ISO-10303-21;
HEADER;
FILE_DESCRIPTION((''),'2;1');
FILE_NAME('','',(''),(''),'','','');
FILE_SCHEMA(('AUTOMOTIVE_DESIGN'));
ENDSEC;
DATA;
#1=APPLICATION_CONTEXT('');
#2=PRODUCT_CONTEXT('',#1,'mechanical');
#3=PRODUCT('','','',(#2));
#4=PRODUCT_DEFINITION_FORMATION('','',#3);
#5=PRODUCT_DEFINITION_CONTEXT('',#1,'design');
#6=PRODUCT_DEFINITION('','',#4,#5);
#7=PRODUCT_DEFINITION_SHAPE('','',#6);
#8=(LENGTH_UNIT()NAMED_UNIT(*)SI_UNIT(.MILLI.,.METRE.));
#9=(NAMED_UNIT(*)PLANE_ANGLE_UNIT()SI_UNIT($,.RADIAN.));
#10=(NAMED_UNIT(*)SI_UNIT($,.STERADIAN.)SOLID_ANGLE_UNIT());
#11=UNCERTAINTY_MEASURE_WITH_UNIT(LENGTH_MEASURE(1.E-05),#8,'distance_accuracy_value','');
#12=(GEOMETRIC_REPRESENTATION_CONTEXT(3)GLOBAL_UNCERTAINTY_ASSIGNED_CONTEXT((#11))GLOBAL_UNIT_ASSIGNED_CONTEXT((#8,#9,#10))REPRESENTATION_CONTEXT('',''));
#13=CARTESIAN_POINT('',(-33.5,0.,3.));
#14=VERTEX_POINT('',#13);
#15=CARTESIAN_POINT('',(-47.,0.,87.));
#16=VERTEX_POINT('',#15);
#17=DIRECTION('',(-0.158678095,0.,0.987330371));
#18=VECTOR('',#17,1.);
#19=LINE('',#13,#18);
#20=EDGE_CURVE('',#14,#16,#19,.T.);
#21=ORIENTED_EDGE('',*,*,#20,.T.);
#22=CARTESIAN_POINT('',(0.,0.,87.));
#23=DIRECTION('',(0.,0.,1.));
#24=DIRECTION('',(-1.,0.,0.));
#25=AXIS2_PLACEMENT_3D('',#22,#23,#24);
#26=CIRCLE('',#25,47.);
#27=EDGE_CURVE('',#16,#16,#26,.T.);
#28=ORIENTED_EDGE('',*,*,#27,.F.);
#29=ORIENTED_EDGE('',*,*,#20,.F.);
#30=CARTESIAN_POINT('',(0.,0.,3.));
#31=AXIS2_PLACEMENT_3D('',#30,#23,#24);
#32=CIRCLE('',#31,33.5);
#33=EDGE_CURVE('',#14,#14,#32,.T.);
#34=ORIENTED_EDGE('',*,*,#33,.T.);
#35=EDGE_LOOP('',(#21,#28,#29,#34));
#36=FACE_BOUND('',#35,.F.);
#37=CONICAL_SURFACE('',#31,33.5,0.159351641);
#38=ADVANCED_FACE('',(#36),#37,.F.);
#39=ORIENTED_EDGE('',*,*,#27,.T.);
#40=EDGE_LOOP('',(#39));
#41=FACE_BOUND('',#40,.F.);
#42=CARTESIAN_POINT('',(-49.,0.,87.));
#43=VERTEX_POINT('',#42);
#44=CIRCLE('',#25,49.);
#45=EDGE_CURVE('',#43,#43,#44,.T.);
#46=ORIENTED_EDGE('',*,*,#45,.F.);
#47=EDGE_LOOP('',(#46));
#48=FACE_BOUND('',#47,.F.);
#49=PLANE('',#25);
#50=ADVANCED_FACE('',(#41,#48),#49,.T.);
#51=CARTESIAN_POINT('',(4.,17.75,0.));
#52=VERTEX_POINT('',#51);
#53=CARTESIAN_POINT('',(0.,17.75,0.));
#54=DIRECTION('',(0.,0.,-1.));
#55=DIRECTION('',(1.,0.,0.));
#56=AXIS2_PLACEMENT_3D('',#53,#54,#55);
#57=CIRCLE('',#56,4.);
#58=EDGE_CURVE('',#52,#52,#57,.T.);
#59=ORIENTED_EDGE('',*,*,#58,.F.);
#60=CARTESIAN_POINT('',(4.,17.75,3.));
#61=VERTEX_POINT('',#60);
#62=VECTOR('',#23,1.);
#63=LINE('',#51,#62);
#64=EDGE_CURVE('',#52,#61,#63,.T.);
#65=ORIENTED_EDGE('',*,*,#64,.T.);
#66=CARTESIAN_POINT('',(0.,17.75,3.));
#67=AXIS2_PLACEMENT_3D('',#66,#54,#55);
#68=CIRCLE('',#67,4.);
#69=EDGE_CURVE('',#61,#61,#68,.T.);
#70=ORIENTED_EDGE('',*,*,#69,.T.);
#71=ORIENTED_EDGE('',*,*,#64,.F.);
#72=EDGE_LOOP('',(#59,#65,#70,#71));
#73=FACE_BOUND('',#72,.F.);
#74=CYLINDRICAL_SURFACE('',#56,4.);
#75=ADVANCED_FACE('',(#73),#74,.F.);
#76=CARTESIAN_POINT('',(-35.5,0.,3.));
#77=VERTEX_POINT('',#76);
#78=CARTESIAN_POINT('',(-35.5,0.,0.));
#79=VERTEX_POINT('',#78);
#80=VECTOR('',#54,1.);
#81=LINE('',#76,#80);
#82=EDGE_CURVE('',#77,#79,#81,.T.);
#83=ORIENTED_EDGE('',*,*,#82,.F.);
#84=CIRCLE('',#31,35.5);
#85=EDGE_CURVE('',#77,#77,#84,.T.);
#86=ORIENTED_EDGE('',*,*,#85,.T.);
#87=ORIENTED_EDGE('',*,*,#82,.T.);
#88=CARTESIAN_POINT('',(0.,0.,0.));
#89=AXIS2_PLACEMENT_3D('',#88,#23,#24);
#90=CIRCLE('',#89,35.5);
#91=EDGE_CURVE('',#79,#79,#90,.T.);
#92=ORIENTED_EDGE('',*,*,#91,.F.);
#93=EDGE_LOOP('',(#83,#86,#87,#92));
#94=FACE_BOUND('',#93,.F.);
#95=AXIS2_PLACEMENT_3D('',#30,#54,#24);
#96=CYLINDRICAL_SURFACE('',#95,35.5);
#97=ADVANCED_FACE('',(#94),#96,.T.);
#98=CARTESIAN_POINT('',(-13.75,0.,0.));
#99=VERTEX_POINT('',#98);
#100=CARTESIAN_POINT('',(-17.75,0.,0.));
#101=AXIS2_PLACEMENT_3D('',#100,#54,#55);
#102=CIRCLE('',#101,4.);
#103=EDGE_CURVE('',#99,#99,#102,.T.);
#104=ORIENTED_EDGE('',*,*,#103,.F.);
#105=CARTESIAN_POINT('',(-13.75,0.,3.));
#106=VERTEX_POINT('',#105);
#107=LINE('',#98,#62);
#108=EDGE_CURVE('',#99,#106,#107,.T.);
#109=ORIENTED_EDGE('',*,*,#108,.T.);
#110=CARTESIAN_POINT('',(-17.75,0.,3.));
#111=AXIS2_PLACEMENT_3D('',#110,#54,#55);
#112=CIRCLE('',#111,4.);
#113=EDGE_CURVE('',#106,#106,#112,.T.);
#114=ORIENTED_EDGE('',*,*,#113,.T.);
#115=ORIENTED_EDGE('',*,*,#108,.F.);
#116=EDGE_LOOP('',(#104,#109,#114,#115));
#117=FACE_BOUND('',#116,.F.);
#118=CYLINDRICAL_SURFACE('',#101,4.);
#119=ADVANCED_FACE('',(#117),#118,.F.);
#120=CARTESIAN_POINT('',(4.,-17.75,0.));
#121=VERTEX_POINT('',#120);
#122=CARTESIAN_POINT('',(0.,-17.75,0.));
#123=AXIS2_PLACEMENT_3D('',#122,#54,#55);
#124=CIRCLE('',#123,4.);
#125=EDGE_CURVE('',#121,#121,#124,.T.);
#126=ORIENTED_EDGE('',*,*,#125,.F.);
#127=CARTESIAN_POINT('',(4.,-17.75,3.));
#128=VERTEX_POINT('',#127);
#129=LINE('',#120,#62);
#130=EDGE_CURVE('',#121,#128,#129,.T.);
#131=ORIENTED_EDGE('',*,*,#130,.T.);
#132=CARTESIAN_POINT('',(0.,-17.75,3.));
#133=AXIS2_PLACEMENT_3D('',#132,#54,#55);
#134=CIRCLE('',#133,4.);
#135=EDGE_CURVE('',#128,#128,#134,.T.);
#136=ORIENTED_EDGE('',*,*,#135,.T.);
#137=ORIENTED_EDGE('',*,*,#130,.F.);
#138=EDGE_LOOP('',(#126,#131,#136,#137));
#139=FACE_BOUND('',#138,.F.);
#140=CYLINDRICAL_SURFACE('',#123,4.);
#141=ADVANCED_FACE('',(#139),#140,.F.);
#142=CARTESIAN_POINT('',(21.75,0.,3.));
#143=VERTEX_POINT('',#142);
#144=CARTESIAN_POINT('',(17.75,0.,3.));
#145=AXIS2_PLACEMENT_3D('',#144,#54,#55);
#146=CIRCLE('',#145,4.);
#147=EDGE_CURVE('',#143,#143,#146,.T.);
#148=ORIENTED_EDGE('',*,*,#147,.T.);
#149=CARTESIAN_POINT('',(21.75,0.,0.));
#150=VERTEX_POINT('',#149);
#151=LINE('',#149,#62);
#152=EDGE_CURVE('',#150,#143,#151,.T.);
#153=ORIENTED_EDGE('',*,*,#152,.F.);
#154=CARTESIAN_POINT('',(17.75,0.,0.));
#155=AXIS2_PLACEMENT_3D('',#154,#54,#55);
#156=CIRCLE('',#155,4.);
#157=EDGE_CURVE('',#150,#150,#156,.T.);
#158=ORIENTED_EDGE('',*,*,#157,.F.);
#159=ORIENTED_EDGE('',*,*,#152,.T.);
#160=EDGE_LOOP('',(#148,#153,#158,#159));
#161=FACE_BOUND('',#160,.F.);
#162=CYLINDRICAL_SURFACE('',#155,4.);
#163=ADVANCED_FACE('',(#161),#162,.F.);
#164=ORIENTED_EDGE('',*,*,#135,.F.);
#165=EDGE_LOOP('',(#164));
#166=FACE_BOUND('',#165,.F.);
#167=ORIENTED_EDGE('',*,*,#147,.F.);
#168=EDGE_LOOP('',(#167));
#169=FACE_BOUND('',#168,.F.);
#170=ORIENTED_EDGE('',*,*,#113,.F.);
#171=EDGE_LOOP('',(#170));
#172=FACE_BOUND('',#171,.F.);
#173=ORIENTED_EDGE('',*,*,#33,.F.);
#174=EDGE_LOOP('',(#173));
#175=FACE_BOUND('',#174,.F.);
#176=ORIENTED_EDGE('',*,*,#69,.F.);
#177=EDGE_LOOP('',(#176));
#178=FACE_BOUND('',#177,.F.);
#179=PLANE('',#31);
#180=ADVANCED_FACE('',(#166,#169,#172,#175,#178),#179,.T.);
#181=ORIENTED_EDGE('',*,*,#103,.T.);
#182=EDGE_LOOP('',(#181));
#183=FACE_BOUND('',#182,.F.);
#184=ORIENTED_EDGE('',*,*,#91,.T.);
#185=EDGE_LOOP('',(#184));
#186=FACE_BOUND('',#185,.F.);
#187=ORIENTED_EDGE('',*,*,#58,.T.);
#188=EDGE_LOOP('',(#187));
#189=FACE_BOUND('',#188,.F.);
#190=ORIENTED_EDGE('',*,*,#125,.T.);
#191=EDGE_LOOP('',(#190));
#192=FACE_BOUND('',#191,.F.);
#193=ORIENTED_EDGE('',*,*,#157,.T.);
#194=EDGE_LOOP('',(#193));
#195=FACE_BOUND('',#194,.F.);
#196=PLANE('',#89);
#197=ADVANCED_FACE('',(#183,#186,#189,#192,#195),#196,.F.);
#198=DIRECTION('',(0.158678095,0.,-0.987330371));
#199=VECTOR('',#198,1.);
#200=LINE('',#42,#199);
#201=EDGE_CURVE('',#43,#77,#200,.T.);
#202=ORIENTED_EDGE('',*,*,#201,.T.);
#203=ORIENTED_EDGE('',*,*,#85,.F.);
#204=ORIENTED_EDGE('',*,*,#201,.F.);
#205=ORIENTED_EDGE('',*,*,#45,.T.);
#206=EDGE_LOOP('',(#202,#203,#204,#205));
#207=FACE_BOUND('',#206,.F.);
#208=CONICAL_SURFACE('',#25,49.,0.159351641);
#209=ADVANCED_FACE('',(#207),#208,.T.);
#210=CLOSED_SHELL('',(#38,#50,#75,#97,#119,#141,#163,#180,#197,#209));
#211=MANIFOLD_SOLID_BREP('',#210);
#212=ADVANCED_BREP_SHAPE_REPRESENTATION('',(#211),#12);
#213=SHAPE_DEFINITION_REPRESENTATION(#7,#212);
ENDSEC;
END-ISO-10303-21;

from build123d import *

# Parameters (mm, degrees)
F2_R     = 4
F3_DEPTH = 87.001


with BuildPart() as f1:
    # F0 (on Front) → F1 (revolve)
    with BuildSketch(Plane.XZ):
        Polygon((-49, 87), (-35.5, 3), (-33.5, 3), (-47, 87), align=None)
        Polygon((-35.5, 0), (0, 0), (0, 3), (-33.5, 3), (-35.5, 3), align=None)
    revolve(axis=Axis((0, 0, 45), (0, 0, 1)))

    # F2 (on face) → F3 (cut, through all)
    with BuildSketch(Plane(origin=(0, 0, 0), x_dir=(1, 0, 0), z_dir=(0, 0, -1))):
        with Locations((0, 17.75)):
            Circle(F2_R)
        with Locations((17.75, 0)):
            Circle(F2_R)
        with Locations((-17.75, 0)):
            Circle(F2_R)
        with Locations((0, -17.75)):
            Circle(F2_R)
    extrude(amount=-F3_DEPTH, mode=Mode.SUBTRACT)


solid = f1.part
